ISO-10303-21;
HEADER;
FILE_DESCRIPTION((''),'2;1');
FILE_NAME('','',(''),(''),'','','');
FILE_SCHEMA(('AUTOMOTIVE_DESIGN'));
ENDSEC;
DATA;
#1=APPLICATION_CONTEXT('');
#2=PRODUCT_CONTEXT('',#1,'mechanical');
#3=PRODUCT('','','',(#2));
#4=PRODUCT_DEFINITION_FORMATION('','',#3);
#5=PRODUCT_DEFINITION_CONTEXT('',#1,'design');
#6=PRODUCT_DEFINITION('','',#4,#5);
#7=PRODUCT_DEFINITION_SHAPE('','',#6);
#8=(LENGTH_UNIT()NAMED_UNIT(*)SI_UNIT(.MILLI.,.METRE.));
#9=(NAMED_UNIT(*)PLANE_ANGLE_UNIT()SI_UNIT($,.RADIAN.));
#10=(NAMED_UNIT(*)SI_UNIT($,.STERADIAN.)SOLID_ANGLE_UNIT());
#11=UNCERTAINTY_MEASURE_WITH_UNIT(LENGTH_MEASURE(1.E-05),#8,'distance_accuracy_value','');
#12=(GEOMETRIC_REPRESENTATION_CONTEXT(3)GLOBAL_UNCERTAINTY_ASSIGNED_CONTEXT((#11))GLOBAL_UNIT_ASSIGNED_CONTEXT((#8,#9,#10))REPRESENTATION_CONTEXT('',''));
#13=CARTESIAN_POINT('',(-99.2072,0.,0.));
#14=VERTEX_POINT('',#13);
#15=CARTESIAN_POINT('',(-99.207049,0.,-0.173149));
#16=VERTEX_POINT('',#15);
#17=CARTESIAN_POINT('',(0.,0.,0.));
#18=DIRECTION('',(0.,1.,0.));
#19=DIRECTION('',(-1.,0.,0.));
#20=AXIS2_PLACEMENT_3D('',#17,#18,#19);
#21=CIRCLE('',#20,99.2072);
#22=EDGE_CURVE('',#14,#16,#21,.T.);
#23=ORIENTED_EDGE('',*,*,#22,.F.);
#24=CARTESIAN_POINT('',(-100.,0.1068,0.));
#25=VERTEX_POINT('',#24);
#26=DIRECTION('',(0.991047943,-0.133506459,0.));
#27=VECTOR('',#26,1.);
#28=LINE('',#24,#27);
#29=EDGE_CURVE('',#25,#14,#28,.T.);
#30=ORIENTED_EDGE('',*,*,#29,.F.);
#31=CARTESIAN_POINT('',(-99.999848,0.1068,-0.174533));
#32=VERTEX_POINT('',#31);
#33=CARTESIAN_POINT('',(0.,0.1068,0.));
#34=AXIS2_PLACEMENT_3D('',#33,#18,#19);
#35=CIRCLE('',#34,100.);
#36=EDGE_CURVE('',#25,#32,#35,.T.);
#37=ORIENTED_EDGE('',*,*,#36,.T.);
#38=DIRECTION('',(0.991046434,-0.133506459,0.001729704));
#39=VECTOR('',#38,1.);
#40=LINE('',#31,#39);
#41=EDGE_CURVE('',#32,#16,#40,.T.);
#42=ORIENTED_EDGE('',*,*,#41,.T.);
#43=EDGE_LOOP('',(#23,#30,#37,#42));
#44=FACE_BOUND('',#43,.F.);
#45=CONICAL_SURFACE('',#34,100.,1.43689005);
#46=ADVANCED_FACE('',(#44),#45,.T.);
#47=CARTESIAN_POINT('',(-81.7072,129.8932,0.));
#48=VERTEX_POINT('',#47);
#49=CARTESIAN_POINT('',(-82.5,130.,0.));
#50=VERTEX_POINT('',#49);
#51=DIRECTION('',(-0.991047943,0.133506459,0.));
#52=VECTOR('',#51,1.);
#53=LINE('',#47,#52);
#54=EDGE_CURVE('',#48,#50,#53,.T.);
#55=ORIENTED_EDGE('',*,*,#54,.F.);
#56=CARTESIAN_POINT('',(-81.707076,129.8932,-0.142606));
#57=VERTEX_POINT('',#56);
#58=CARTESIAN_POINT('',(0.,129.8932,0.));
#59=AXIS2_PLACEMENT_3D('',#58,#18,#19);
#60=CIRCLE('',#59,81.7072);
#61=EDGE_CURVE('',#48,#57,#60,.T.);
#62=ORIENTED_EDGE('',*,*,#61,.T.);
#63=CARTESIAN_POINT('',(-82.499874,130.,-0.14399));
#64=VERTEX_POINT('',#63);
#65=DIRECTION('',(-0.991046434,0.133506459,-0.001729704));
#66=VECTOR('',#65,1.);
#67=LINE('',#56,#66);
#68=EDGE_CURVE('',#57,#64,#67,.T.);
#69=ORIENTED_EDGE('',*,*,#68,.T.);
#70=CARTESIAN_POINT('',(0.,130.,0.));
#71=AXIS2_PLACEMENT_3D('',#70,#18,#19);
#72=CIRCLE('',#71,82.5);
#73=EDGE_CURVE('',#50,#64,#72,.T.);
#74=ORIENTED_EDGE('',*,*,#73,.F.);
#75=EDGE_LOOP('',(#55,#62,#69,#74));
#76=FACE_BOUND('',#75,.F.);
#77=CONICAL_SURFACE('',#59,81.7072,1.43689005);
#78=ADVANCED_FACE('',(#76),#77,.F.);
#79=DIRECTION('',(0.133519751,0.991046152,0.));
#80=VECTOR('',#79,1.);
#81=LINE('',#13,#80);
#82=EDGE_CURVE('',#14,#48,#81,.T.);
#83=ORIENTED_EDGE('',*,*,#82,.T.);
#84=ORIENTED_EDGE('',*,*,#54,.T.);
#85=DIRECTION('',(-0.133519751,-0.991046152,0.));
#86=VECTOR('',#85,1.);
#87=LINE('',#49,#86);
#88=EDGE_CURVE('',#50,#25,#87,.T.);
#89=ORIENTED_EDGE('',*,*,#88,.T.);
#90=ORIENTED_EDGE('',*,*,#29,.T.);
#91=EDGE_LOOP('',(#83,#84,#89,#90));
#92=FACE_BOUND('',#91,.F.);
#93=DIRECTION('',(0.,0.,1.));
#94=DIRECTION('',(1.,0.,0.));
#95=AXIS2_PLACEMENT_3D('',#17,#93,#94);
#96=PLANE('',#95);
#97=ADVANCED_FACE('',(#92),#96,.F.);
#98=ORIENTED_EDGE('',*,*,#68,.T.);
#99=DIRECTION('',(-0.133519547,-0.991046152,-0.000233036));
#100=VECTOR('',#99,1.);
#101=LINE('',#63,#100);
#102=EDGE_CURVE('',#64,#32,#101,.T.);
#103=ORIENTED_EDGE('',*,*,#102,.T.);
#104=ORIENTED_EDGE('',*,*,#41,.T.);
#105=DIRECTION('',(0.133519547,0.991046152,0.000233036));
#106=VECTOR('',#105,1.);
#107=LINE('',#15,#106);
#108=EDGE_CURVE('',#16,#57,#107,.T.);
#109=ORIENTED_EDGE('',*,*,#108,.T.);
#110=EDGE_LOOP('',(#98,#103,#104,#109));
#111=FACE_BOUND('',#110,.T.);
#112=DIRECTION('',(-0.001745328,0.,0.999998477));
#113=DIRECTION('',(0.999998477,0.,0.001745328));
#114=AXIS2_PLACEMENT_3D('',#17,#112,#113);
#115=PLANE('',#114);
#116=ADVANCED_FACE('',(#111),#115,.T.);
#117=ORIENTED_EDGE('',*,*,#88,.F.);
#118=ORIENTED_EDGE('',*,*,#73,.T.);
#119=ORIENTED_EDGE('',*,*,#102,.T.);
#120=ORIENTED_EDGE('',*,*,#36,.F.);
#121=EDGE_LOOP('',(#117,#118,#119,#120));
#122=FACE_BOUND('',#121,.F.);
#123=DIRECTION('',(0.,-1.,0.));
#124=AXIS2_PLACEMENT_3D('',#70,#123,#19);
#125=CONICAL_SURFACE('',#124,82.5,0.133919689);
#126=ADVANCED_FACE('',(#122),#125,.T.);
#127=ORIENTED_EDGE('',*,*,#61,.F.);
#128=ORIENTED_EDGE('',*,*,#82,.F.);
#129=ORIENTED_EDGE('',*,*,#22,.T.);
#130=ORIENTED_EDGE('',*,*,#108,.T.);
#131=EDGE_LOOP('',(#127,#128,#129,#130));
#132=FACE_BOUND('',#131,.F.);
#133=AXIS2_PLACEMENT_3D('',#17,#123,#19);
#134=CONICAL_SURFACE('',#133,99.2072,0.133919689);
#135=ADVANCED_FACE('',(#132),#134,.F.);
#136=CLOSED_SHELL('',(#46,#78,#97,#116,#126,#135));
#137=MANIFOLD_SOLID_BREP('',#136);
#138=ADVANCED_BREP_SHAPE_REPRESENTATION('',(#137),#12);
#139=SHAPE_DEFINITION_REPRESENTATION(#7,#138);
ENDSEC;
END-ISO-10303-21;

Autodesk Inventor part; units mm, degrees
ref_plane "YZ Plane" through (0, 0, 0) normal (1, 0, 0) x (0, 1, 0)
ref_plane "XZ Plane" through (0, 0, 0) normal (0, 1, 0) x (-1, 0, 0)
ref_plane "XY Plane" through (0, 0, 0) normal (0, 0, 1) x (1, 0, 0)
sketch "Sketch1" plane through (0, 0, 0) normal (0, 0, 1) x (1, 0, 0)
  line L0 (0, 0) -> (0, 130)
  line L1 (-82.5, 130) -> (-100, 0.1068)
  line L2 (-100, 0.1068) -> (-99.2072, 0)
  line L3 (-99.2072, 0) -> (-81.7072, 129.8932)
  line L4 (-81.7072, 129.8932) -> (-82.5, 130)
  line L5 (-82.5, 130) -> (-99.2072, 0) construction
  line L6 (-100, 0.1068) -> (-81.7072, 129.8932) construction
  point P0 (-90.8536, 65)
  dimension "d0" = 130
  dimension "d4" = 200
  dimension "d6" = 165
  dimension "d7" = 0.8
revolve "Revolution1" add sketch "Sketch1" angle 359.9 about axis through (0, 0, 0) along (0, 1, 0)
equation "\"d7\" = Thickness"
equation "\"BendRadius\" = Thickness"
equation "\"BendReliefWidth\" = Thickness"
equation "\"BendReliefDepth\" = 0.5 * Thickness"
equation "\"CornerReliefSize\" = 4 * Thickness"
equation "\"MinimumRemnant\" = 2 * Thickness"
equation "\"TransitionRadius\" = BendRadius"
equation "\"JacobiRadiusSize\" = BendRadius"
equation "\"GapSize\" = Thickness"
equation "\"Thickness\" = 0.8"
properties part number "МОО 061 ракета хвост" material "Stainless Steel"
